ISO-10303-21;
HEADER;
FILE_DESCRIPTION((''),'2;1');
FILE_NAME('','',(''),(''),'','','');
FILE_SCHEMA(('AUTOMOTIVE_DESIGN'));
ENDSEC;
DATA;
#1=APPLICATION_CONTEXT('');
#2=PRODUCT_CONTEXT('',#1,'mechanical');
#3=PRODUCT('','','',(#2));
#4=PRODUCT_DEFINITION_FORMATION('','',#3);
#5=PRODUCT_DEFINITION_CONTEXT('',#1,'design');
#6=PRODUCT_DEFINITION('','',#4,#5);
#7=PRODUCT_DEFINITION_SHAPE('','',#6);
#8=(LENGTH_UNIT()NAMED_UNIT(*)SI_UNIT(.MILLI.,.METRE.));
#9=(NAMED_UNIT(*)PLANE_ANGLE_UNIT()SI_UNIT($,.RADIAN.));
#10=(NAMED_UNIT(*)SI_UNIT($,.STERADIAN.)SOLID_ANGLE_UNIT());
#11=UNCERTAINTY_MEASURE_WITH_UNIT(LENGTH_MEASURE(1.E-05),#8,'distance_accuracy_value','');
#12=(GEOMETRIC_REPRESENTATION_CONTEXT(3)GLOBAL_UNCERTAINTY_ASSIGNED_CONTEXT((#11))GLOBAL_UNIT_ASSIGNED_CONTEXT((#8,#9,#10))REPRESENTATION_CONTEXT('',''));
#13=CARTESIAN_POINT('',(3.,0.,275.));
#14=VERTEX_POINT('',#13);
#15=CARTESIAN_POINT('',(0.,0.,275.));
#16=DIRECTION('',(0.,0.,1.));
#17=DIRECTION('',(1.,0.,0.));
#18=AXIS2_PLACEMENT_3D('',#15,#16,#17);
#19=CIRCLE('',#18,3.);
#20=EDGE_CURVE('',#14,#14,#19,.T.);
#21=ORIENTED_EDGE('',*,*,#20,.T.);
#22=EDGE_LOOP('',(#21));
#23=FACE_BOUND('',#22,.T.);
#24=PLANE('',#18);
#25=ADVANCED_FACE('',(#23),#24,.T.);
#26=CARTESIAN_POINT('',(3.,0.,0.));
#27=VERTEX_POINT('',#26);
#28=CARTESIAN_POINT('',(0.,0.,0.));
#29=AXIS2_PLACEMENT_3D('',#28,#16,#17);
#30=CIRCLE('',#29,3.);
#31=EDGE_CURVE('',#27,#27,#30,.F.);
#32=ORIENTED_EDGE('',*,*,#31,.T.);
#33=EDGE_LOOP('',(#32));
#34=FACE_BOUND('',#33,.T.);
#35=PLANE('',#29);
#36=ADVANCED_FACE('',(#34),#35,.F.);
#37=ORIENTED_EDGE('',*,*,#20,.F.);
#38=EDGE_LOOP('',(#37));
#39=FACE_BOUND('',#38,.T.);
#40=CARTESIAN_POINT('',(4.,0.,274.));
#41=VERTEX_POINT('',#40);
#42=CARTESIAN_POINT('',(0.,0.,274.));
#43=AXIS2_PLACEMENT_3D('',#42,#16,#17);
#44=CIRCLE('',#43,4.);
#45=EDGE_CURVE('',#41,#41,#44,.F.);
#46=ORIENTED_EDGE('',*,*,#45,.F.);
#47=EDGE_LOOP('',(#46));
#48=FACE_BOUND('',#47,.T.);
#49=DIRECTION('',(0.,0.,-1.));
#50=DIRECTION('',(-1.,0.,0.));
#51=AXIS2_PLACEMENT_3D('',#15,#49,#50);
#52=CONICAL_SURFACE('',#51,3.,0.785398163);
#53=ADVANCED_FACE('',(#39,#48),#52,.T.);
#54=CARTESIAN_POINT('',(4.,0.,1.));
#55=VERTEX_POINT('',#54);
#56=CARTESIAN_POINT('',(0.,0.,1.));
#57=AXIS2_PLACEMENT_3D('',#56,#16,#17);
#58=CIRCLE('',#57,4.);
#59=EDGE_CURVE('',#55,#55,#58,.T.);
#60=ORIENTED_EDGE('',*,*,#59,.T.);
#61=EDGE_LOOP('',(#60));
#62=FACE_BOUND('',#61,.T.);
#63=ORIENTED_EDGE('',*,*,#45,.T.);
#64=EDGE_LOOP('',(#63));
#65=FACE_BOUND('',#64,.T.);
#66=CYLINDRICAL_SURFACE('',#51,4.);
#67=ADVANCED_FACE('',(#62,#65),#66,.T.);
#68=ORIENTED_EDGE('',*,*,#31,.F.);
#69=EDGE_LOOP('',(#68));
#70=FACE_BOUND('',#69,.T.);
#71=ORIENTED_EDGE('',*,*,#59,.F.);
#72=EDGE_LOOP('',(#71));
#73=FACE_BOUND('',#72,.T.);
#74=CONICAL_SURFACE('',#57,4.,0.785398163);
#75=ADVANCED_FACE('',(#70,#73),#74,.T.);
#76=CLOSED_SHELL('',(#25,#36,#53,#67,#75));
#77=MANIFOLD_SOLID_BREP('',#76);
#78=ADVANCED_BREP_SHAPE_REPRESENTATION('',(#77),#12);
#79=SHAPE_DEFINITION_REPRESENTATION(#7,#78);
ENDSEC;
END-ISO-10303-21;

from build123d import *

# Parameters (mm, degrees)
SKETCH1_R           = 4
BOSS_EXTRUDE1_DEPTH = 275
CHAMFER1_SIZE       = 1


with BuildPart() as part:
    # Sketch1 → Boss-Extrude1 (new body)
    with BuildSketch(Plane.XY):
        Circle(SKETCH1_R)
    extrude(amount=BOSS_EXTRUDE1_DEPTH)

    # Chamfer1
    chamfer1_edges = [part.edges().sort_by_distance(p)[0] for p in [
        (-4, 0, 0),
        (-4, 0, 275),
    ]]
    chamfer(chamfer1_edges, length=CHAMFER1_SIZE)


solid = part.part
